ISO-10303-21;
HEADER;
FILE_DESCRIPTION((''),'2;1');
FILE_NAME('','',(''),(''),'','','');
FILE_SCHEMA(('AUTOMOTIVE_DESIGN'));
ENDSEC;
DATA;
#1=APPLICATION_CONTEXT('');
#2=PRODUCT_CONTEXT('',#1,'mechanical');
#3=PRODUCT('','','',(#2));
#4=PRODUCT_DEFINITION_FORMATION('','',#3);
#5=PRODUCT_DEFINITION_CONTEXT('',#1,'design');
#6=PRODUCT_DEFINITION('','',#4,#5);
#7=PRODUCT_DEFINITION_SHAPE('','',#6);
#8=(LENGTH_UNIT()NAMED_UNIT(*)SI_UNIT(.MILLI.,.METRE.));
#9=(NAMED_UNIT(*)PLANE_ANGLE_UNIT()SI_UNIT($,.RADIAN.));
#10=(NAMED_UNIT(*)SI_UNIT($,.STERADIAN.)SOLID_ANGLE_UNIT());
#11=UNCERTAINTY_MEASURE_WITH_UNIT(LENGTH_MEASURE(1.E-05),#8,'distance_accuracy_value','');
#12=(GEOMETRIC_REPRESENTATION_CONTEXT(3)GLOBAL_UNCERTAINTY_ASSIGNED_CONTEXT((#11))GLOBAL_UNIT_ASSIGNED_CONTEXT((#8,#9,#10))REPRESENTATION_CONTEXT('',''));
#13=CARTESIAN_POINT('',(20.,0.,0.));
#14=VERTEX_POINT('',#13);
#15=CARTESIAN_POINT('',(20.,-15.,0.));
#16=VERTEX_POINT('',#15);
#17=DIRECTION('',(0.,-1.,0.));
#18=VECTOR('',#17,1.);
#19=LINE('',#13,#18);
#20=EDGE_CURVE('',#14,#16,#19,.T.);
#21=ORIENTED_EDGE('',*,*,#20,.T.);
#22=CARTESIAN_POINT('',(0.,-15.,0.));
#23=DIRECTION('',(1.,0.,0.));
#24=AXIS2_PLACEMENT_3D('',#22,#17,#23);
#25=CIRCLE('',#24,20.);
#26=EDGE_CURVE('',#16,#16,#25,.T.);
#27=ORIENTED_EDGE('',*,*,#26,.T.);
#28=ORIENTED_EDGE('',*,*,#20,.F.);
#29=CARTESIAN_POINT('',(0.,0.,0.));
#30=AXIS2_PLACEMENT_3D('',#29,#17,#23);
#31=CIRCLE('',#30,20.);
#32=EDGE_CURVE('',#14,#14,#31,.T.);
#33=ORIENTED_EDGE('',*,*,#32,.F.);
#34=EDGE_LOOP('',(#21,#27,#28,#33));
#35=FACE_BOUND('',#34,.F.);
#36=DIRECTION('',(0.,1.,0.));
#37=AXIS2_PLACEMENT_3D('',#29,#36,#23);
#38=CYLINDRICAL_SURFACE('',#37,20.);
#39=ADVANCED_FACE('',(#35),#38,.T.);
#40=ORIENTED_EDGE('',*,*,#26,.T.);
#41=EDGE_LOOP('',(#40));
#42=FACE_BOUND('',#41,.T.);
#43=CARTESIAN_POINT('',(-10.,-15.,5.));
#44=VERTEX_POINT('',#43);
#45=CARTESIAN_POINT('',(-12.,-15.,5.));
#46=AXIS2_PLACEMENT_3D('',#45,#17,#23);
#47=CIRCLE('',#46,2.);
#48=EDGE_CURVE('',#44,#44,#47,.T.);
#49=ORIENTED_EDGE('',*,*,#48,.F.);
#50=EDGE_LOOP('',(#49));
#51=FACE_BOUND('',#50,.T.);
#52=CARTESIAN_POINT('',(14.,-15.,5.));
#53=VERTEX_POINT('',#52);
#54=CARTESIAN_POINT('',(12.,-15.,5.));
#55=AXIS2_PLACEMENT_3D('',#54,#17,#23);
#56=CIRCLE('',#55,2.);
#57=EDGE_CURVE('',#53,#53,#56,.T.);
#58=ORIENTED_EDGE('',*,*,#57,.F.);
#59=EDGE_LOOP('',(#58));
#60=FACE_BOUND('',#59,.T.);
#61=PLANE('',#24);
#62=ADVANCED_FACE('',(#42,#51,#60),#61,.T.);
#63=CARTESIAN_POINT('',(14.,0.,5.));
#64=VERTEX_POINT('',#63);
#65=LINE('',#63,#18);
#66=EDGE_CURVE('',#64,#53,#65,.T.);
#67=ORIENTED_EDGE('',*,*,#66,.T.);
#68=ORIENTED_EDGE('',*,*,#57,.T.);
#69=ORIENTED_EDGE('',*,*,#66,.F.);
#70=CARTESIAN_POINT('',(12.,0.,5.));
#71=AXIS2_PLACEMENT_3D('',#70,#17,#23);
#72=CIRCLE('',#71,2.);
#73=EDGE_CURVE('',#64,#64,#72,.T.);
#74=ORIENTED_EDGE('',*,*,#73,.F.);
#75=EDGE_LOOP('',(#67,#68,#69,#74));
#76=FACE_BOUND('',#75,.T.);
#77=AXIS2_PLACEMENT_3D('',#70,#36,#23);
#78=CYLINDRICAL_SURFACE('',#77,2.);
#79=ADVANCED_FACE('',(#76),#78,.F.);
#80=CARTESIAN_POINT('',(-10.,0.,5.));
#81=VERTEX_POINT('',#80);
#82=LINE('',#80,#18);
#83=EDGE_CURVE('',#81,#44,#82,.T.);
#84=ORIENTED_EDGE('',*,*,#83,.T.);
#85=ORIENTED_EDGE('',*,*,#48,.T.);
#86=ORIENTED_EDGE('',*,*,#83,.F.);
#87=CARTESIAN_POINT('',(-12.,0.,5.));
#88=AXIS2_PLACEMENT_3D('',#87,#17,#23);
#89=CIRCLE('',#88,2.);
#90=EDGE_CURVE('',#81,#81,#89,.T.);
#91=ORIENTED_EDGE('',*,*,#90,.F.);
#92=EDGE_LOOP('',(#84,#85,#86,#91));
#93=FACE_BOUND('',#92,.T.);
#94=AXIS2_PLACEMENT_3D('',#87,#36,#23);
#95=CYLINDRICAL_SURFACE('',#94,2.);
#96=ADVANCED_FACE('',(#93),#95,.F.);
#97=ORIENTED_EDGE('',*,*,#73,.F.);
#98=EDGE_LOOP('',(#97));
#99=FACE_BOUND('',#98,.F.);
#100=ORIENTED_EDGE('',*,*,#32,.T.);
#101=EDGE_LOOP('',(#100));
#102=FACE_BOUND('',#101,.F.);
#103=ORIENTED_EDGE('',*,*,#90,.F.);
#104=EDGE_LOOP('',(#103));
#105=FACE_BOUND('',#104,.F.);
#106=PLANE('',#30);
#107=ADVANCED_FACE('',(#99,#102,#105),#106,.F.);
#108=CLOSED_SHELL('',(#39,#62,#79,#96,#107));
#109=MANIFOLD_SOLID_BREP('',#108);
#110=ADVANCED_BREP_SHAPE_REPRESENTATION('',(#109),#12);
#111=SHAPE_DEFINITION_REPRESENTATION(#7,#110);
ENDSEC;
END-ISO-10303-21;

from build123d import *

# Parameters (mm, degrees)
F0_R     = 20
F0_R_2   = 2
F1_DEPTH = 15


with BuildPart() as f1:
    # F0 (on Front) → F1 (new body)
    with BuildSketch(Plane.XZ):
        Circle(F0_R)
        with Locations((-12, 5)):
            Circle(F0_R_2, mode=Mode.SUBTRACT)
        with Locations((12, 5)):
            Circle(F0_R_2, mode=Mode.SUBTRACT)
    extrude(amount=F1_DEPTH)


solid = f1.part
